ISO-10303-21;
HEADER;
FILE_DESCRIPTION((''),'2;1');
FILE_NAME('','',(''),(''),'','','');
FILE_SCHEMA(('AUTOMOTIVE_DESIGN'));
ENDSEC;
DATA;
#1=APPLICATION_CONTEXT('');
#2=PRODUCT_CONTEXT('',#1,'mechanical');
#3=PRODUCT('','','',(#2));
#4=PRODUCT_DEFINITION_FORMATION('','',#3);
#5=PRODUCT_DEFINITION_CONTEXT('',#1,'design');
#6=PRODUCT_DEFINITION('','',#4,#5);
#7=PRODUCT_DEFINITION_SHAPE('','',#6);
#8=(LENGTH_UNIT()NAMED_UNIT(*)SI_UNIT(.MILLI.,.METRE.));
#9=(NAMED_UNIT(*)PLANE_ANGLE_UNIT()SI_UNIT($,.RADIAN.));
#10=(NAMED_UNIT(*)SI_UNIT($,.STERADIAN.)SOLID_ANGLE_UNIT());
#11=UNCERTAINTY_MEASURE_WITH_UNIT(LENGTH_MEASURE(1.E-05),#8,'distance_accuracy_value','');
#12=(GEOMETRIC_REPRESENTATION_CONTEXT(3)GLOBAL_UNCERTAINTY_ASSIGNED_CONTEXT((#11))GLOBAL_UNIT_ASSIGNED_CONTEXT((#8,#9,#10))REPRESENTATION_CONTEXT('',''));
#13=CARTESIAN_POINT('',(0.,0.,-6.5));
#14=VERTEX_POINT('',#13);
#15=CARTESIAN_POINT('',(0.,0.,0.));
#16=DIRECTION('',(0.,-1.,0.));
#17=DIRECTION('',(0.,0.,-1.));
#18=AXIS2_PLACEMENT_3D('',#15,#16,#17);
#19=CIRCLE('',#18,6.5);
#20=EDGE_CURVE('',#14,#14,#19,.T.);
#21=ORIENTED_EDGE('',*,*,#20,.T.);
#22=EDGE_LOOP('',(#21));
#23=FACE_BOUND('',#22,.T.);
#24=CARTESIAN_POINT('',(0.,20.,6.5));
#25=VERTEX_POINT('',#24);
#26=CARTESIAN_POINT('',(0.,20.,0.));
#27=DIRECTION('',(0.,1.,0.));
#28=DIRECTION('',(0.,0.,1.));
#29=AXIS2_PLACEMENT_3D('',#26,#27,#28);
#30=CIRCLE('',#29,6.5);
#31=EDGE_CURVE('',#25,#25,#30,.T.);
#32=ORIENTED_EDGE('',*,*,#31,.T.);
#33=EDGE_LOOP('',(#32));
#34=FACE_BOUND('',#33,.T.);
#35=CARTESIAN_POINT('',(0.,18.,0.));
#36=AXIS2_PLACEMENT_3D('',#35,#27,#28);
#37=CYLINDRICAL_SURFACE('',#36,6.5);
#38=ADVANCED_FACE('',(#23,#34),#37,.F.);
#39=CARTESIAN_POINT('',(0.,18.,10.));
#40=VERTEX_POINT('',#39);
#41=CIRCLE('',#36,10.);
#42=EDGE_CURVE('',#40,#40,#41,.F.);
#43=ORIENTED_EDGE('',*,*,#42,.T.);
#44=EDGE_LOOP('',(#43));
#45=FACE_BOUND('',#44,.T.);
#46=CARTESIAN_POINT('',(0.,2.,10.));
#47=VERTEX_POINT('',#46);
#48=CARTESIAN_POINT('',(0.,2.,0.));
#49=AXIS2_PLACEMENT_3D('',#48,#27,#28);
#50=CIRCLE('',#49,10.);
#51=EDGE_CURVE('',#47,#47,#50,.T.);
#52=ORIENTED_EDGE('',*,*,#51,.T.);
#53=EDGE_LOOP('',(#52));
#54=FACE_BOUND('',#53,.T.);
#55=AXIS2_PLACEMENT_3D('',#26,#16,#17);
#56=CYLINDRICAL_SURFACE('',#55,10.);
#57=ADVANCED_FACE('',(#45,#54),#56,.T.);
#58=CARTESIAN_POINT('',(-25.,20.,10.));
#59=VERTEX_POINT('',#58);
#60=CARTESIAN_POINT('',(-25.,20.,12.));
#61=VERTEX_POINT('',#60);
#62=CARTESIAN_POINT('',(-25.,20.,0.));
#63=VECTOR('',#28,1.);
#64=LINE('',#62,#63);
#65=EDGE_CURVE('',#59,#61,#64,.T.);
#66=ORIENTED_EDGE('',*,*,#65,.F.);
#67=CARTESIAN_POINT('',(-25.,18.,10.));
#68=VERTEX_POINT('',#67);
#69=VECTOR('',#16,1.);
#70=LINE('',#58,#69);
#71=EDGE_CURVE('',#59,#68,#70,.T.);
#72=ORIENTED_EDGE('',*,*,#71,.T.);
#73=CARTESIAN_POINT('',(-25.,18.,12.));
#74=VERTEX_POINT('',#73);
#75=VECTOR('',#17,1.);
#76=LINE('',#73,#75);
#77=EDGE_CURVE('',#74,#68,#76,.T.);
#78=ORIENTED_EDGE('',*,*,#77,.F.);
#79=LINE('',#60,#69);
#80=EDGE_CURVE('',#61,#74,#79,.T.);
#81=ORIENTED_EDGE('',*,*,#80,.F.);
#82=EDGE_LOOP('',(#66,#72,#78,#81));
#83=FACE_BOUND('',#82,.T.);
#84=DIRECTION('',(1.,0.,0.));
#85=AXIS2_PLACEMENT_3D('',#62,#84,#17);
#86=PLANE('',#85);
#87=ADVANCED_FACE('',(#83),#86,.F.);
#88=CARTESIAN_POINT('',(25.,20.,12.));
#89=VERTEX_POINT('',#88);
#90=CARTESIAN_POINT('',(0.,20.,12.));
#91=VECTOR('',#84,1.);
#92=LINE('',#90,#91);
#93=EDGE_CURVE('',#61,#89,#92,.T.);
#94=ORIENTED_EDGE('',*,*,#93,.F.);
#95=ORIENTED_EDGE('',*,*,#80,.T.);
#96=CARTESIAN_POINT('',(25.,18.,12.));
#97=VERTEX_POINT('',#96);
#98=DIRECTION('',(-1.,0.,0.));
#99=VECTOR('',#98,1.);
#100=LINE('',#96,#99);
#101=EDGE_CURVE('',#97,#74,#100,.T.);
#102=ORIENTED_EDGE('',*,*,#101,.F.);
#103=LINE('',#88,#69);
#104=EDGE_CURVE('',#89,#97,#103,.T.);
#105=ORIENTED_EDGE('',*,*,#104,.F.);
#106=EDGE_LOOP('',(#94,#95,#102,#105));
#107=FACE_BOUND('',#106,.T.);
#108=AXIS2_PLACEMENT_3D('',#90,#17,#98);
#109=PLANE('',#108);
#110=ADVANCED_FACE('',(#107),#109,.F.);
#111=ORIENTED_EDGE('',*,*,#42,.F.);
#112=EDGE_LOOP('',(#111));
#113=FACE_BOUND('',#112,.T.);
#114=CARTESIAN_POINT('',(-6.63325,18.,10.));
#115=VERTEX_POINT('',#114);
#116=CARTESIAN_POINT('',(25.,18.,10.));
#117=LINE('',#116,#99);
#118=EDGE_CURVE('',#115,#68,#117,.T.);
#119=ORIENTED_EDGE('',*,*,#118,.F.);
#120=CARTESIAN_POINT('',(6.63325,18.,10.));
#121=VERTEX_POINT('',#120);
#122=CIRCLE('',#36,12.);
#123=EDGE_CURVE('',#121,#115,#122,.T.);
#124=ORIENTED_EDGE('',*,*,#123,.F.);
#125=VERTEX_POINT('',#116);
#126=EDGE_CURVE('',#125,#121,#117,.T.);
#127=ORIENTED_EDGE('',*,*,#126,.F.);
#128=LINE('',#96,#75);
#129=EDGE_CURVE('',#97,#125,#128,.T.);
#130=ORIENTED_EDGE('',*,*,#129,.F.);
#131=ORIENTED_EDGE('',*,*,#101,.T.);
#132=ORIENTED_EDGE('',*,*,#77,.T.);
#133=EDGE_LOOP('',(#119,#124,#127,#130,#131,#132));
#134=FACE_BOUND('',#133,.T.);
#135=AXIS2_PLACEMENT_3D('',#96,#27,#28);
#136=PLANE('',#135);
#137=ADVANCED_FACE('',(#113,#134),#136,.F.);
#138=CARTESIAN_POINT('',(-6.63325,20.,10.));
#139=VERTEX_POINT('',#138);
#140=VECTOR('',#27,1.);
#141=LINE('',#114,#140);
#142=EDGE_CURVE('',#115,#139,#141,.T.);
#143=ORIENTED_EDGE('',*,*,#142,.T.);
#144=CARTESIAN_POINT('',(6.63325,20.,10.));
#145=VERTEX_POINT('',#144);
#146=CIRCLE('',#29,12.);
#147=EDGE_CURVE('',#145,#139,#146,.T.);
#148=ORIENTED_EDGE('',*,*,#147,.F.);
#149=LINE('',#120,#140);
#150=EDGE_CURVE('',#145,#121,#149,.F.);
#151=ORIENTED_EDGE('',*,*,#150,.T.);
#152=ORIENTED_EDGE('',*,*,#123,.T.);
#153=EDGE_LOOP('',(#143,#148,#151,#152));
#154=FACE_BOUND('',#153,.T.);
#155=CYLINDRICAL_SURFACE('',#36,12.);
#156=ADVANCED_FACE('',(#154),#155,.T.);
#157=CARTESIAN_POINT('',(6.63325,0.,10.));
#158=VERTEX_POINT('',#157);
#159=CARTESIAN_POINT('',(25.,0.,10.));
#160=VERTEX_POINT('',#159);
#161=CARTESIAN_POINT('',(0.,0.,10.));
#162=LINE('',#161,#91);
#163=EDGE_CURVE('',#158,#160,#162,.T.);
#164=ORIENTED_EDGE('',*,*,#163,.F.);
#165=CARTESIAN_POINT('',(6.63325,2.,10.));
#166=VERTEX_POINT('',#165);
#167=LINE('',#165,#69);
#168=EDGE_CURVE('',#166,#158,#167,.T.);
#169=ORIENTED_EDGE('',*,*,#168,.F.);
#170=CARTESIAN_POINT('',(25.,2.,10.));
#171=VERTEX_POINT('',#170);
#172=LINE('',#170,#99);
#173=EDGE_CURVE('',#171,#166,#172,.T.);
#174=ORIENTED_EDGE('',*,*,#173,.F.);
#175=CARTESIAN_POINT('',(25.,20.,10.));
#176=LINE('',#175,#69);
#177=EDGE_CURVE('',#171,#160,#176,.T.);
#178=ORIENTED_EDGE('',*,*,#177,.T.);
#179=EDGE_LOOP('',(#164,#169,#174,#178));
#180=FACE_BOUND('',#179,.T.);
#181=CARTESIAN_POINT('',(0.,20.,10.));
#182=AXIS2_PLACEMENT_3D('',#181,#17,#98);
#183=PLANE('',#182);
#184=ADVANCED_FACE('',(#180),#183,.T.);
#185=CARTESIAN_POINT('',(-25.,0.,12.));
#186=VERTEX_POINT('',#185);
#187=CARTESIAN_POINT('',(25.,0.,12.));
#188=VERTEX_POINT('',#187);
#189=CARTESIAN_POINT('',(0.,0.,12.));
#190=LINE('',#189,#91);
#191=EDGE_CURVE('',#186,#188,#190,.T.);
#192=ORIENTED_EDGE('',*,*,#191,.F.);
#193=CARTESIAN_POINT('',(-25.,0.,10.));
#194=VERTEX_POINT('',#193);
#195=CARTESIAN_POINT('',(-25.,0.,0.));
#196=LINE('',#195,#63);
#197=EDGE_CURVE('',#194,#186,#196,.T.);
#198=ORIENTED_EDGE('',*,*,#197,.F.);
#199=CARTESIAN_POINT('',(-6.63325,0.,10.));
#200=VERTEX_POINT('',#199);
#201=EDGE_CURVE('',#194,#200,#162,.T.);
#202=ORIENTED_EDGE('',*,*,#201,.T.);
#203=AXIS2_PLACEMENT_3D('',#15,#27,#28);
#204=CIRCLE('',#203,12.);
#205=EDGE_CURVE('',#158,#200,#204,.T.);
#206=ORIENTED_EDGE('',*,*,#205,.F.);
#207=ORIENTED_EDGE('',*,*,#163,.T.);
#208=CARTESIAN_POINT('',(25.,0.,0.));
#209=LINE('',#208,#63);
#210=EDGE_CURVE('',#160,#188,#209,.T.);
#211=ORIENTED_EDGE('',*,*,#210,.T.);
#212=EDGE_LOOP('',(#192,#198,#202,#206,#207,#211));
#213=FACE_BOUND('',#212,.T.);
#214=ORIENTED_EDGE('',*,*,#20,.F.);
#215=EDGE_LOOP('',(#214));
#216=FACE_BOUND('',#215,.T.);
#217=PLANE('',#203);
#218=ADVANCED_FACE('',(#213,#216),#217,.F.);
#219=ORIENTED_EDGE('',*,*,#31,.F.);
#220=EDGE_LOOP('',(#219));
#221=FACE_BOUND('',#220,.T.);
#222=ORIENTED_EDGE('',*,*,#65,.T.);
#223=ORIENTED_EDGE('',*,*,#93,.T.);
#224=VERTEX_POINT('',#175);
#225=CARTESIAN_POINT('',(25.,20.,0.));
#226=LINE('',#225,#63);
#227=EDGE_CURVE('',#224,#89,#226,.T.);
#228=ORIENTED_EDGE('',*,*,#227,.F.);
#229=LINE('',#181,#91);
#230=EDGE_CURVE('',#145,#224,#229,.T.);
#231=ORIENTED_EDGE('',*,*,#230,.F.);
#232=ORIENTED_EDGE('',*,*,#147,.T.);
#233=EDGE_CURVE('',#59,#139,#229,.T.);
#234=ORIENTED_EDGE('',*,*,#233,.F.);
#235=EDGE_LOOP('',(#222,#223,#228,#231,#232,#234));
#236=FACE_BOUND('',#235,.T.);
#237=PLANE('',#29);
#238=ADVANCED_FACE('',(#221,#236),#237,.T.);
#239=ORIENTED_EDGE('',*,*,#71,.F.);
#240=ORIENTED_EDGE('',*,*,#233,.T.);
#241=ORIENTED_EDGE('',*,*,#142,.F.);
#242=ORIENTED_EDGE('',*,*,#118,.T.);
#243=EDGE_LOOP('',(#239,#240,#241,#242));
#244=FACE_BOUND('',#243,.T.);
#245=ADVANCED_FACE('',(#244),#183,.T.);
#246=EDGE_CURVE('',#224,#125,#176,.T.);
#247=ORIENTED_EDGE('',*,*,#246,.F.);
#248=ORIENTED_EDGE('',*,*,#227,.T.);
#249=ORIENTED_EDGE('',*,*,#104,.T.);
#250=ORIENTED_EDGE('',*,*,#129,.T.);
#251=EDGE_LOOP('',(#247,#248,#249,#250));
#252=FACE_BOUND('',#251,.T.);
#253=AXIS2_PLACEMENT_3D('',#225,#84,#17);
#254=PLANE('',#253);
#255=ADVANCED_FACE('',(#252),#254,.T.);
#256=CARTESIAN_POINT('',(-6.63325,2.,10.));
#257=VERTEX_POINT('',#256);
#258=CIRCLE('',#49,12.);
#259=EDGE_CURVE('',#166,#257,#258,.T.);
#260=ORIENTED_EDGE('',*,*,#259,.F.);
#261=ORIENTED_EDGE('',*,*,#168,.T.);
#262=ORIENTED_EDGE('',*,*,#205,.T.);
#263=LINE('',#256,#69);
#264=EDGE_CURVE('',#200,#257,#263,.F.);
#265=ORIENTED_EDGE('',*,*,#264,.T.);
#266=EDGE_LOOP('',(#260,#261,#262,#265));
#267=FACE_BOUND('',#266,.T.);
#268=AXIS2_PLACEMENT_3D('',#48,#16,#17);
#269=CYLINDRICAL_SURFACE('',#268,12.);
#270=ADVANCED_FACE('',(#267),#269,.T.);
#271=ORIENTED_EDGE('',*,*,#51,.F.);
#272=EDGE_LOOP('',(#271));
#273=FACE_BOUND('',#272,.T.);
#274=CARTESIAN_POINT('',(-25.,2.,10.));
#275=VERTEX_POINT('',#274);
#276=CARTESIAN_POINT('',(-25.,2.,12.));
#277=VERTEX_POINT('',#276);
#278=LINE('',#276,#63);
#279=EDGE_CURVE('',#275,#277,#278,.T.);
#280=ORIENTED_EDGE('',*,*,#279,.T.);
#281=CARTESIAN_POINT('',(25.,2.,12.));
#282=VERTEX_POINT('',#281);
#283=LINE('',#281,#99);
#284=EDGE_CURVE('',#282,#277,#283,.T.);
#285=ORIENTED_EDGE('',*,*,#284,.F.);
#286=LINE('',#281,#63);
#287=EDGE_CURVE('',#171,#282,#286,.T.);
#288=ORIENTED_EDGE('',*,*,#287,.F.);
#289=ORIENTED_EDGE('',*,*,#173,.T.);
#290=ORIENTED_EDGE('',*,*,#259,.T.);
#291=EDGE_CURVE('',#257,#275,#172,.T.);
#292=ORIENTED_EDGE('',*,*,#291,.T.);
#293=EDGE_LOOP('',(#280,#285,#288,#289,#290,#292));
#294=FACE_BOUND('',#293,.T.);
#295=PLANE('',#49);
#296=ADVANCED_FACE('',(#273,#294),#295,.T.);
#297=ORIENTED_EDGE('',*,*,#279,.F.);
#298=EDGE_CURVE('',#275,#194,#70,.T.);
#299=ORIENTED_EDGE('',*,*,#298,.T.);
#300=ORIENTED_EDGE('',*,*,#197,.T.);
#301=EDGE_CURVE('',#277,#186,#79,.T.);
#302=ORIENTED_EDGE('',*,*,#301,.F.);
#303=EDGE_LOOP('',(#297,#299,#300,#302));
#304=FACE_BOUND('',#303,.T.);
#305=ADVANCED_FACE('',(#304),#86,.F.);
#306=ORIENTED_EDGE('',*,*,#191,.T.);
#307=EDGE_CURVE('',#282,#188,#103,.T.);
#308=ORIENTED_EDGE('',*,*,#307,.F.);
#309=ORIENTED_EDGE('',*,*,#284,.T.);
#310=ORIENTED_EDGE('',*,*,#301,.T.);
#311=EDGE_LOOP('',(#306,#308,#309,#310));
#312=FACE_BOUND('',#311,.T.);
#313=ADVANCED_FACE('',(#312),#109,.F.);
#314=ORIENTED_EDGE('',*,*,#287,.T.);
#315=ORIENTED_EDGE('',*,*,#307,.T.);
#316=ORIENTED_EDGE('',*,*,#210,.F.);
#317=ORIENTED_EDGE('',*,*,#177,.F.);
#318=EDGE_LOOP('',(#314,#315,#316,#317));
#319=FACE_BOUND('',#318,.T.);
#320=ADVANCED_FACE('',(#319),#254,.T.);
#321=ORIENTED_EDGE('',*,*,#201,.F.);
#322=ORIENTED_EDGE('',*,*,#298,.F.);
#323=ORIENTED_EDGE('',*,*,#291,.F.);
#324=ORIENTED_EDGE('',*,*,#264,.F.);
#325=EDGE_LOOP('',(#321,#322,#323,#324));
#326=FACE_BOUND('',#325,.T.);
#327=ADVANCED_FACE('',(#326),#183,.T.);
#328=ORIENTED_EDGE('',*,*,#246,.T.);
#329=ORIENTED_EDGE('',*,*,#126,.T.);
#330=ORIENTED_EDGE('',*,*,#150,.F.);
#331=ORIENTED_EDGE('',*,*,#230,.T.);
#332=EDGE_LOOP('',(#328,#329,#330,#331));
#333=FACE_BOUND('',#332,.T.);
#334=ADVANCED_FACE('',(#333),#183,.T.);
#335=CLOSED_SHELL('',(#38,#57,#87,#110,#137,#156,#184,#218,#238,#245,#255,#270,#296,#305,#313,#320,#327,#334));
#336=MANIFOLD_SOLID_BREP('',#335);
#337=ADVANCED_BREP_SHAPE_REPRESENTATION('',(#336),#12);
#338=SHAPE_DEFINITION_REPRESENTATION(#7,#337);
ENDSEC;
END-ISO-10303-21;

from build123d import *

# Parameters (mm, degrees)
SKETCH_1_R          = 10
SKETCH_1_R_2        = 6.5
EXTRUDE_1_DEPTH     = 20
SKETCH_1_W          = 50
SKETCH_1_H          = 2
EXTRUDE_1_2_DEPTH   = 20
SKETCH_2_W          = 2
SKETCH_2_H          = 16
CUT_EXTRUDE_2_DEPTH = 50
SKETCH_3_R          = 12
EXTRUDE_2_DEPTH     = 2
SKETCH_5_R          = 12
SKETCH_5_R_2        = 6.5
EXTRUDE_3_DEPTH     = 2
SKETCH_4_R          = 6.5
CUT_EXTRUDE_4_DEPTH = 2


with BuildPart() as part:
    # 草图1 → 凸台-拉伸1 (new body)
    with BuildSketch(Plane(origin=(0, 0, 0), x_dir=(1, 0, 0), z_dir=(0, 1, 0))):
        Circle(SKETCH_1_R)
        Circle(SKETCH_1_R_2, mode=Mode.SUBTRACT)
    extrude(amount=EXTRUDE_1_DEPTH)



with BuildPart() as body_2:
    # 草图1 → Extrude 1 2 (new body)
    with BuildSketch(Plane(origin=(0, 0, 0), x_dir=(1, 0, 0), z_dir=(0, 1, 0))):
        with Locations((0, -11)):
            Rectangle(SKETCH_1_W, SKETCH_1_H)
    extrude(amount=EXTRUDE_1_2_DEPTH)

    # 草图2 → 切除-拉伸2 (cut)
    with BuildSketch(Plane.ZY.offset(25)):
        with Locations((11, 10)):
            Rectangle(SKETCH_2_W, SKETCH_2_H)
    extrude(amount=-CUT_EXTRUDE_2_DEPTH, mode=Mode.SUBTRACT)


with BuildPart() as part_1:
    add(part.part)

    add(body_2.part)  # 凸台-拉伸2 merges body 2
    # 草图3 → 凸台-拉伸2 (add)
    with BuildSketch(Plane(origin=(0, 0, 0), x_dir=(1, 0, 0), z_dir=(0, 1, 0))):
        Circle(SKETCH_3_R)
    extrude(amount=EXTRUDE_2_DEPTH)

    # 草图5 → 凸台-拉伸3 (add)
    with BuildSketch(Plane(origin=(0, 20, 0), x_dir=(1, 0, 0), z_dir=(0, 1, 0))):
        Circle(SKETCH_5_R)
        Circle(SKETCH_5_R_2, mode=Mode.SUBTRACT)
    extrude(amount=-EXTRUDE_3_DEPTH)

    # 草图4 → 切除-拉伸4 (cut)
    with BuildSketch(Plane.XZ):
        Circle(SKETCH_4_R)
    extrude(amount=-CUT_EXTRUDE_4_DEPTH, mode=Mode.SUBTRACT)


solid = part_1.part
